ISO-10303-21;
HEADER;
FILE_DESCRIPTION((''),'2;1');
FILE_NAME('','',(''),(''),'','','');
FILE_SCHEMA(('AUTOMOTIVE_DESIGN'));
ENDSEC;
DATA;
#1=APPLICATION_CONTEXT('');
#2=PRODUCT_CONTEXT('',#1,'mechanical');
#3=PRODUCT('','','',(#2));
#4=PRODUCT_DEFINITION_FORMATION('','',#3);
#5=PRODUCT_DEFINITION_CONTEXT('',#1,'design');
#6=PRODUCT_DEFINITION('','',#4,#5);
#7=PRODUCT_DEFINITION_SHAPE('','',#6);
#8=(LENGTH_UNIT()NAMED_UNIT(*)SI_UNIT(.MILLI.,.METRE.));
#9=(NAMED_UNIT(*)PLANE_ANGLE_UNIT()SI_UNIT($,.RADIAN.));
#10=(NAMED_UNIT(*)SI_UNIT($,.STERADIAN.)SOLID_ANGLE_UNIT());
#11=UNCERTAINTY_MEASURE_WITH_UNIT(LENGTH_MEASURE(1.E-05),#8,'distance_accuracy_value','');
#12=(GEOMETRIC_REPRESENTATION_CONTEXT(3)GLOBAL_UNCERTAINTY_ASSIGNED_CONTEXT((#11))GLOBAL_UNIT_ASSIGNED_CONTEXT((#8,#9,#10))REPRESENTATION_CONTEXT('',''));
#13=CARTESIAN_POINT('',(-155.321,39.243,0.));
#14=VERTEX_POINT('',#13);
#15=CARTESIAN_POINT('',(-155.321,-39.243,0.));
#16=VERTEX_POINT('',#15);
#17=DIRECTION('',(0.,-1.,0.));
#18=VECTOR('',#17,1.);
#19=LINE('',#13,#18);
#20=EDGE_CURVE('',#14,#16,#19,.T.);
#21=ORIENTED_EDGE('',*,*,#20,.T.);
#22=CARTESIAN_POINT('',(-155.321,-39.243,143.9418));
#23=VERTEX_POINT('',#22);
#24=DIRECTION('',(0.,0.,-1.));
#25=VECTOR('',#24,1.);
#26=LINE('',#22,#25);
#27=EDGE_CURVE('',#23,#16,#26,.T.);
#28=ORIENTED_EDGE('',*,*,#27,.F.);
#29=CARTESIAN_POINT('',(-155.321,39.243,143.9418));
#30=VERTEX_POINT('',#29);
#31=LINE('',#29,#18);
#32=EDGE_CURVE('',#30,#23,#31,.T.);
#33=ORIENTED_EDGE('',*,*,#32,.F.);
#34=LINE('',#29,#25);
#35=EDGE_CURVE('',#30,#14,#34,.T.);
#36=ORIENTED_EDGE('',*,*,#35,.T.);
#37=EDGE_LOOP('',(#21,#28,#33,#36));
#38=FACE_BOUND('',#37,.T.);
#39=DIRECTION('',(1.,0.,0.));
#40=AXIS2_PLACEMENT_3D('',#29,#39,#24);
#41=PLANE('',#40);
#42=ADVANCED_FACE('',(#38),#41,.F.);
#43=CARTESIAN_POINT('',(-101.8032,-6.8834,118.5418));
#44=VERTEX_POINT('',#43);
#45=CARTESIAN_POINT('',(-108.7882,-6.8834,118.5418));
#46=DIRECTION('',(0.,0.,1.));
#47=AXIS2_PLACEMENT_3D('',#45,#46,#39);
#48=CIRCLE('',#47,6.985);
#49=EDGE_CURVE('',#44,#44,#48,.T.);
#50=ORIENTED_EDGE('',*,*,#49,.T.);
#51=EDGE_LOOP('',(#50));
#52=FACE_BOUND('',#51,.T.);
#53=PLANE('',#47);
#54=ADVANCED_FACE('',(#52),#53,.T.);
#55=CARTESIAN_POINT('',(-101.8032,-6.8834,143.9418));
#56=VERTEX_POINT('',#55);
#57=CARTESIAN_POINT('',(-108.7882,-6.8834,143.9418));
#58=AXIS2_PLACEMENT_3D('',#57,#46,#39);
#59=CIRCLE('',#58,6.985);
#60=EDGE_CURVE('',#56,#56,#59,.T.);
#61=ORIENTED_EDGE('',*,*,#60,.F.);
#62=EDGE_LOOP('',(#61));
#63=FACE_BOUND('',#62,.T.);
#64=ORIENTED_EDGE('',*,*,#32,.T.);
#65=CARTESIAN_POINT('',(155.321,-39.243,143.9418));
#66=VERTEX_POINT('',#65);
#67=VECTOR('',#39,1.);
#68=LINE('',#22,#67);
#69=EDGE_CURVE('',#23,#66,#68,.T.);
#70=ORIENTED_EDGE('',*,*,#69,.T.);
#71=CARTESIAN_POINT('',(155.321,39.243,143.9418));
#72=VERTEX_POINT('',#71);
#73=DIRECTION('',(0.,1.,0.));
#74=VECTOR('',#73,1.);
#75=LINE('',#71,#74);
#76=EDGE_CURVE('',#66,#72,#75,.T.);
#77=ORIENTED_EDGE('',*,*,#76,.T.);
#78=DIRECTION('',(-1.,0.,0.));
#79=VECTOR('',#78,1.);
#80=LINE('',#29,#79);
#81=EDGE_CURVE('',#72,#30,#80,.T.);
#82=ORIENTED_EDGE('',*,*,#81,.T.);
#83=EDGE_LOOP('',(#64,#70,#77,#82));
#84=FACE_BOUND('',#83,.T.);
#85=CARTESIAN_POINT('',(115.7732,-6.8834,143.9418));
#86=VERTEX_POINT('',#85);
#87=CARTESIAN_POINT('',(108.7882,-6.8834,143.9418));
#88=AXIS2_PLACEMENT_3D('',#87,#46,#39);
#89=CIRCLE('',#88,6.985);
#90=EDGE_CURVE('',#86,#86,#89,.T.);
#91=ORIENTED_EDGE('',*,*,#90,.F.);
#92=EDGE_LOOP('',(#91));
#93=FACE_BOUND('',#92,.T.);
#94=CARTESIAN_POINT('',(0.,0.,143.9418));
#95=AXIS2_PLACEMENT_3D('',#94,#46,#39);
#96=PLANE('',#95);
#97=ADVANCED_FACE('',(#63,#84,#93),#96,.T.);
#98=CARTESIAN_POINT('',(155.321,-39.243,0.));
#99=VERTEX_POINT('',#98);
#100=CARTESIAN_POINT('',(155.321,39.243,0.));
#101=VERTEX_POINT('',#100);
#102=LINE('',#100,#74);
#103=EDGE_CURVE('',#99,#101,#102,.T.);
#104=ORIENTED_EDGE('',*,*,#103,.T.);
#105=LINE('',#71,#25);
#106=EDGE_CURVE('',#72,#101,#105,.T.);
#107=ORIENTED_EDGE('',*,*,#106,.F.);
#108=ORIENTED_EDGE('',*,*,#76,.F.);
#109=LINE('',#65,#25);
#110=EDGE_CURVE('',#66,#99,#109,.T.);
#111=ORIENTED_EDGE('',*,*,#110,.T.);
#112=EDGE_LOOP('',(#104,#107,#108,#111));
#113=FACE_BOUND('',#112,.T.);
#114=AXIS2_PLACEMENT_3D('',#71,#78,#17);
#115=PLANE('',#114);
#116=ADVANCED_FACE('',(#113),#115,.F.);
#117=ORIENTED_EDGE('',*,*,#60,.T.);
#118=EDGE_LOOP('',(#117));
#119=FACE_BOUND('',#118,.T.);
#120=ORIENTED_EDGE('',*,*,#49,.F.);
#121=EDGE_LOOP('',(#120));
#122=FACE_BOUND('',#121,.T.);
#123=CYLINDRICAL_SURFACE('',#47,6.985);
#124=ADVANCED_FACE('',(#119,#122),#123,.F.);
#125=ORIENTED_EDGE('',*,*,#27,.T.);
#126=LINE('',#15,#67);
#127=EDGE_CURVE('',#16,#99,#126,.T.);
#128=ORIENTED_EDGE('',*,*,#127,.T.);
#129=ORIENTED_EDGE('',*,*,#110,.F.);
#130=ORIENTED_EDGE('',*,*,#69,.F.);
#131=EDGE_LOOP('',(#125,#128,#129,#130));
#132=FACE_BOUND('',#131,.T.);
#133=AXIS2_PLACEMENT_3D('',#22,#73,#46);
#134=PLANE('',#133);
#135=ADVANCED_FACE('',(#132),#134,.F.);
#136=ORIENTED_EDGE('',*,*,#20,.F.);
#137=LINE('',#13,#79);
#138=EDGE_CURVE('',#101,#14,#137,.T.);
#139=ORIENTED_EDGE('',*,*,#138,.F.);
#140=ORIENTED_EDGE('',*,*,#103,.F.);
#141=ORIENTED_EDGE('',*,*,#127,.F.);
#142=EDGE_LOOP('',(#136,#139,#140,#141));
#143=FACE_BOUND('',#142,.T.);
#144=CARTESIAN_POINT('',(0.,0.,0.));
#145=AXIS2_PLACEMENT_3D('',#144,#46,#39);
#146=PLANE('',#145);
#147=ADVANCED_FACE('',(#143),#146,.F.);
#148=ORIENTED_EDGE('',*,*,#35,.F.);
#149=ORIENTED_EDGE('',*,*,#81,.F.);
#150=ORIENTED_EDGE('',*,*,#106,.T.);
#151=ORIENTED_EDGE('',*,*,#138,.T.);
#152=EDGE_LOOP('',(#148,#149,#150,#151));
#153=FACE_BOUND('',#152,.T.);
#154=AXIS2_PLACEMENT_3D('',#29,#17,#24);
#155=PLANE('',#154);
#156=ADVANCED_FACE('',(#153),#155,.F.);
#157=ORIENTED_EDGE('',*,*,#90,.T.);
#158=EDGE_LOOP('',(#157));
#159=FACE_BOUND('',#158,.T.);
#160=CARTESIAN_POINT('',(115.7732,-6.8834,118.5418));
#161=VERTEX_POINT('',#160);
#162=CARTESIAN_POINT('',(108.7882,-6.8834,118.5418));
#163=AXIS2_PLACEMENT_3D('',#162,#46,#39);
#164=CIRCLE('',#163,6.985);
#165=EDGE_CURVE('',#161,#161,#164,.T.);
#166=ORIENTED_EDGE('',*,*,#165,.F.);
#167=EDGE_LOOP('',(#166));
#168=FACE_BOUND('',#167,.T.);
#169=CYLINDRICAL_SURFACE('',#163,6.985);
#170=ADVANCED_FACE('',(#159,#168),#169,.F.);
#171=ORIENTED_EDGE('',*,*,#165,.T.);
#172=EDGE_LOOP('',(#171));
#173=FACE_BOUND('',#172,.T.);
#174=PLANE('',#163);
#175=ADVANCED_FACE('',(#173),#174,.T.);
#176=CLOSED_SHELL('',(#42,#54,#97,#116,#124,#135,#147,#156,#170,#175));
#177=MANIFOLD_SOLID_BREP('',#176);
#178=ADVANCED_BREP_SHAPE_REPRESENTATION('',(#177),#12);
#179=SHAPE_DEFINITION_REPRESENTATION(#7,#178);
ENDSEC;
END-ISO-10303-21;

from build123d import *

# Parameters (mm, degrees)
SKETCH1_W           = 310.642
SKETCH1_H           = 78.486
BOSS_EXTRUDE1_DEPTH = 143.9418
SKETCH2_R           = 6.985
CUT_EXTRUDE1_DEPTH  = 25.4


with BuildPart() as part:
    # Sketch1 → Boss-Extrude1 (new body)
    with BuildSketch(Plane.XY):
        Rectangle(SKETCH1_W, SKETCH1_H)
    extrude(amount=BOSS_EXTRUDE1_DEPTH)

    # Sketch2 → Cut-Extrude1 (cut)
    with BuildSketch(Plane.XY.offset(143.9418)):
        with Locations((-108.7882, -6.8834)):
            Circle(SKETCH2_R)
        with Locations((108.7882, -6.8834)):
            Circle(SKETCH2_R)
    extrude(amount=-CUT_EXTRUDE1_DEPTH, mode=Mode.SUBTRACT)


solid = part.part
